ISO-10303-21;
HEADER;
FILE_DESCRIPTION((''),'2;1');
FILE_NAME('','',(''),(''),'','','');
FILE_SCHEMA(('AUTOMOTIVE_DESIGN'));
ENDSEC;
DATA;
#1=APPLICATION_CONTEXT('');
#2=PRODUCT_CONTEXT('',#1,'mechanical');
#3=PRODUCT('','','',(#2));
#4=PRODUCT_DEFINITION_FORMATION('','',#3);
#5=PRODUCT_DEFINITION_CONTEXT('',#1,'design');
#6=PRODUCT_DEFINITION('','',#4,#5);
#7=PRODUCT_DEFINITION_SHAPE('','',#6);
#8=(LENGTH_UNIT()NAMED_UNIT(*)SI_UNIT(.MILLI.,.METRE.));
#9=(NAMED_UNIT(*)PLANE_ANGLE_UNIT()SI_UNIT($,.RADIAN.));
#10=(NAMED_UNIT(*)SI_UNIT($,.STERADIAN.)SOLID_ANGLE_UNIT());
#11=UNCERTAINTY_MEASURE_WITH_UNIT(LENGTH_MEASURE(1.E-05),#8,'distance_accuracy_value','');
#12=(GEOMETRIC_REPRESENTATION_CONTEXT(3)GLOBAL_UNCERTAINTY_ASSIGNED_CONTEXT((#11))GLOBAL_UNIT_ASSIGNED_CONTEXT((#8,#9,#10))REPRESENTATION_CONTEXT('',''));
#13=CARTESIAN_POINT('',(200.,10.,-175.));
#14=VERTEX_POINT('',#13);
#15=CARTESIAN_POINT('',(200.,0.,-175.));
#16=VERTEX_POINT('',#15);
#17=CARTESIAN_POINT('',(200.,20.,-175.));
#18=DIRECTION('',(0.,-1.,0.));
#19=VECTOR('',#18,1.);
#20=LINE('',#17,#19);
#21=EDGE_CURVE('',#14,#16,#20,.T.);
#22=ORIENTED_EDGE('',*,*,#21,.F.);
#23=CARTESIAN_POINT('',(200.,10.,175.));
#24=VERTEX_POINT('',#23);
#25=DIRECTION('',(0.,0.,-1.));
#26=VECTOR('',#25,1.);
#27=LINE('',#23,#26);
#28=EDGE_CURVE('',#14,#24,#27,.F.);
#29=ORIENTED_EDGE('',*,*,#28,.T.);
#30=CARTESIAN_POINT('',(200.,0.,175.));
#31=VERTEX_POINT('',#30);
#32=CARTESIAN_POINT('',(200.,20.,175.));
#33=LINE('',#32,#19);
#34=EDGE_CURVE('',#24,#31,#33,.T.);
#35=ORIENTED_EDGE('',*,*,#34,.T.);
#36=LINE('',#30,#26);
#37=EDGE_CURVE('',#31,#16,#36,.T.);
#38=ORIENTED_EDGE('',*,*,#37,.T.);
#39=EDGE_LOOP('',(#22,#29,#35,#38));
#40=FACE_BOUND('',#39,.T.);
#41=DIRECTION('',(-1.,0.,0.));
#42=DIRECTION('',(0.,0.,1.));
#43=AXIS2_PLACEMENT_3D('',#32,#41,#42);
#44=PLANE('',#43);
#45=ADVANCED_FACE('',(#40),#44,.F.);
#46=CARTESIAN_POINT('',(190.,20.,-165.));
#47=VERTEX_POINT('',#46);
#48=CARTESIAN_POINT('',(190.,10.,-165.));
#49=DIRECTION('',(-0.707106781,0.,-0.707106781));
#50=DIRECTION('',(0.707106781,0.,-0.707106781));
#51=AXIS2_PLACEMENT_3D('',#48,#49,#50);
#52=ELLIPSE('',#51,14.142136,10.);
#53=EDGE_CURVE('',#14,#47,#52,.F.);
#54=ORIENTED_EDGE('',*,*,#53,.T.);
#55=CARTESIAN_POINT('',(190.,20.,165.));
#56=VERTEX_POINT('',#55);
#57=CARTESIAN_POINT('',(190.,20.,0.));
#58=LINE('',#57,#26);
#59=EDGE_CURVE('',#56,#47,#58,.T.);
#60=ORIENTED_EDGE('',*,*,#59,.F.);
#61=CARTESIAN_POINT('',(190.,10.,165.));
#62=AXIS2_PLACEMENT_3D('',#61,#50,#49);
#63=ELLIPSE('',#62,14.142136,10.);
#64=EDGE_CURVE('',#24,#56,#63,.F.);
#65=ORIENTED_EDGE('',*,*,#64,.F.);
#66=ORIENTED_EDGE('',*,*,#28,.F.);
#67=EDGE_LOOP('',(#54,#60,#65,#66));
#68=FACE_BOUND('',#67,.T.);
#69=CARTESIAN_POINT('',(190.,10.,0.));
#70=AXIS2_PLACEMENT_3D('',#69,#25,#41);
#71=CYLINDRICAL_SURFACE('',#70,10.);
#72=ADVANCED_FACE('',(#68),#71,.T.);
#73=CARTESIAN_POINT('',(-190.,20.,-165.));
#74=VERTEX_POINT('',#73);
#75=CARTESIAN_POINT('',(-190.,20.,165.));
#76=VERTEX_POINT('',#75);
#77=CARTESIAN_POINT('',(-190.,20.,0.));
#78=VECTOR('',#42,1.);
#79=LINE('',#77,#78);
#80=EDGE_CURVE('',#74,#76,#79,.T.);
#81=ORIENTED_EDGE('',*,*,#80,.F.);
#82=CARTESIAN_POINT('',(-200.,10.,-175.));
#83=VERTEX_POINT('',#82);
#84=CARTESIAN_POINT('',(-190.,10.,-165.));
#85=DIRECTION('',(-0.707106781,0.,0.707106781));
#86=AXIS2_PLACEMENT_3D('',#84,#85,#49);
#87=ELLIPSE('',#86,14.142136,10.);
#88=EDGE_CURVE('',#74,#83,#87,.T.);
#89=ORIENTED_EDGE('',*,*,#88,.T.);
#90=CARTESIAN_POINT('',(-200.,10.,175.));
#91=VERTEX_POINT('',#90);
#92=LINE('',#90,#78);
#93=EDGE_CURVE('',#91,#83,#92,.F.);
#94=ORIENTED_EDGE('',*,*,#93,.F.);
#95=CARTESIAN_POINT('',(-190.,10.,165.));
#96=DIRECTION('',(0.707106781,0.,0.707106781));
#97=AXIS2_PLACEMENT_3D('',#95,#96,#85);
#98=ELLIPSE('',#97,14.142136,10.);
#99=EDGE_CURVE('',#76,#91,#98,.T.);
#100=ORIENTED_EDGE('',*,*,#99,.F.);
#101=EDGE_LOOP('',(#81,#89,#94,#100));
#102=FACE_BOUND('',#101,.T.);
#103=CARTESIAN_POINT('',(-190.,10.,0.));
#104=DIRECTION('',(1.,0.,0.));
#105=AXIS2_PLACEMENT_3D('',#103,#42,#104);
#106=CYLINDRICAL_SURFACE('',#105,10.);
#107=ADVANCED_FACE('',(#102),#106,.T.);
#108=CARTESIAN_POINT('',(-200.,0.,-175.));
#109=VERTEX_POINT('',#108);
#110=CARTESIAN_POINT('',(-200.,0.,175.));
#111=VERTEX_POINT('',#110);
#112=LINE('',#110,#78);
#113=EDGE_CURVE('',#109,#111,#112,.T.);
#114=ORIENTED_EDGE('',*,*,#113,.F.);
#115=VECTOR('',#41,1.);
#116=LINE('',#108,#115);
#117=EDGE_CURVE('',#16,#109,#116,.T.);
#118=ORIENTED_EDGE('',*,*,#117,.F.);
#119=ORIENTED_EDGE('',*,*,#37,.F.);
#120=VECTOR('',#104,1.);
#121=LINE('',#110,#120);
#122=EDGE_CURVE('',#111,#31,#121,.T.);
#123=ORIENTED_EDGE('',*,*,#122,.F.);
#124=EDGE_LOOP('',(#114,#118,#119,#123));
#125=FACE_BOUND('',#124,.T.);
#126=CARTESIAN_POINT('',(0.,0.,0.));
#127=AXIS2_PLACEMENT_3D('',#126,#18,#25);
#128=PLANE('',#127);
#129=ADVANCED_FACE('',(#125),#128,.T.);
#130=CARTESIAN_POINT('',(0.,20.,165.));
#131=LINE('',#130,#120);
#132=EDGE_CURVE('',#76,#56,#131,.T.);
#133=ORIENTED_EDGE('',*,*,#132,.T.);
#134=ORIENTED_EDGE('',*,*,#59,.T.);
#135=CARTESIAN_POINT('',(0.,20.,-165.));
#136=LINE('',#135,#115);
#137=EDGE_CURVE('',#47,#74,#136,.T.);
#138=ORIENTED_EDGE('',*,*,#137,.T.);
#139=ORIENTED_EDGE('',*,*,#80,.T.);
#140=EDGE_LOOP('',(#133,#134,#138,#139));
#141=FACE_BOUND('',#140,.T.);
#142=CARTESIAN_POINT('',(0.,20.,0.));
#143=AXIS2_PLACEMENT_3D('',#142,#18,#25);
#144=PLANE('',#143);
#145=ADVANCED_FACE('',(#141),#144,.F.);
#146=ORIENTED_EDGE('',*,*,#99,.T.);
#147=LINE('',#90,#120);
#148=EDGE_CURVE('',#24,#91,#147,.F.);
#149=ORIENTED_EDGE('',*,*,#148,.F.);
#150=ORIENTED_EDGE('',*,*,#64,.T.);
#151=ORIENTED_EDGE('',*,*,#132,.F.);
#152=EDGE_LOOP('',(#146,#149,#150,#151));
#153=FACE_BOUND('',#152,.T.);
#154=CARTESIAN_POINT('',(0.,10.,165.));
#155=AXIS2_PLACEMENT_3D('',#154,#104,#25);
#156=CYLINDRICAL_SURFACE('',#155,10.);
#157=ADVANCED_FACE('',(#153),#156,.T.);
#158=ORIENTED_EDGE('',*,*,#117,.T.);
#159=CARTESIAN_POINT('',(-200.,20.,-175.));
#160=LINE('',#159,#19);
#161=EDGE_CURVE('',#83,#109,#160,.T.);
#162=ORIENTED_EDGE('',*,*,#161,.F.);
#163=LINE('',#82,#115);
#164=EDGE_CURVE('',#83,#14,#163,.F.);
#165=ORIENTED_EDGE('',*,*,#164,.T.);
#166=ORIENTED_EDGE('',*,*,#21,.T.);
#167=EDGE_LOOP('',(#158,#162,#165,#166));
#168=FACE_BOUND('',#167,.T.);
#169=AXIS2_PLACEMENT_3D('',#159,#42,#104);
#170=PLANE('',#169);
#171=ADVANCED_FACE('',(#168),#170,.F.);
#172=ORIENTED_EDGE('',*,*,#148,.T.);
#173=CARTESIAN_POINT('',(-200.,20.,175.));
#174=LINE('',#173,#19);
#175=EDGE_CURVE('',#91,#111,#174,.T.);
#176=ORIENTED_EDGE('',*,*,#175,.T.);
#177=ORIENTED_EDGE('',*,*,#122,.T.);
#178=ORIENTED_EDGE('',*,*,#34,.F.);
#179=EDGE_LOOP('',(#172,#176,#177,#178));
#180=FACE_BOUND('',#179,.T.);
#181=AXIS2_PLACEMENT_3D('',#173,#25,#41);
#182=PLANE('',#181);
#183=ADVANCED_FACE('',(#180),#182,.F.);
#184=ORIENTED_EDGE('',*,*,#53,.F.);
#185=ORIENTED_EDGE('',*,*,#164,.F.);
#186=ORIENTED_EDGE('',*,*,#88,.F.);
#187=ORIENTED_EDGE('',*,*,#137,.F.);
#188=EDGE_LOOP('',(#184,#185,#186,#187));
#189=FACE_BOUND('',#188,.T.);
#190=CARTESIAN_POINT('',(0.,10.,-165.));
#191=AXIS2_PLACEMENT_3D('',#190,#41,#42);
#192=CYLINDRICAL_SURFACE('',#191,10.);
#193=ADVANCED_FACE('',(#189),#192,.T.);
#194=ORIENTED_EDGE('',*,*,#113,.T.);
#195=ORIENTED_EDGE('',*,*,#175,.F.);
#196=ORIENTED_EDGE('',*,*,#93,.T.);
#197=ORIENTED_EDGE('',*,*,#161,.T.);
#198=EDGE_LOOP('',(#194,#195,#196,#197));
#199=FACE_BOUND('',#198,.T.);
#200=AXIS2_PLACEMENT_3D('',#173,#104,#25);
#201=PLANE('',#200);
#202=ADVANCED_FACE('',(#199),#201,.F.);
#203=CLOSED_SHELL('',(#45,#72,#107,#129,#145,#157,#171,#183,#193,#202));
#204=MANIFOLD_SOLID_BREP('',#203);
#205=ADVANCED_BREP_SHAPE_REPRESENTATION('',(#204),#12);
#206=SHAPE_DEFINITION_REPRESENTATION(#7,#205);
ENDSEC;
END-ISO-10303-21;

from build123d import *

# Parameters (mm, degrees)
SKETCH1_W           = 400
SKETCH1_H           = 350
BOSS_EXTRUDE1_DEPTH = 20
FILLET1_R           = 10


with BuildPart() as part:
    # Sketch1 → Boss-Extrude1 (new body)
    with BuildSketch(Plane(origin=(0, 0, 0), x_dir=(1, 0, 0), z_dir=(0, 1, 0))):
        Rectangle(SKETCH1_W, SKETCH1_H)
    extrude(amount=BOSS_EXTRUDE1_DEPTH)

    # Fillet1
    fillet1_edges = [part.edges().sort_by_distance(p)[0] for p in [
        (-200, 20, 0),
        (0, 20, 175),
        (200, 20, 0),
        (0, 20, -175),
    ]]
    fillet(fillet1_edges, radius=FILLET1_R)


solid = part.part
